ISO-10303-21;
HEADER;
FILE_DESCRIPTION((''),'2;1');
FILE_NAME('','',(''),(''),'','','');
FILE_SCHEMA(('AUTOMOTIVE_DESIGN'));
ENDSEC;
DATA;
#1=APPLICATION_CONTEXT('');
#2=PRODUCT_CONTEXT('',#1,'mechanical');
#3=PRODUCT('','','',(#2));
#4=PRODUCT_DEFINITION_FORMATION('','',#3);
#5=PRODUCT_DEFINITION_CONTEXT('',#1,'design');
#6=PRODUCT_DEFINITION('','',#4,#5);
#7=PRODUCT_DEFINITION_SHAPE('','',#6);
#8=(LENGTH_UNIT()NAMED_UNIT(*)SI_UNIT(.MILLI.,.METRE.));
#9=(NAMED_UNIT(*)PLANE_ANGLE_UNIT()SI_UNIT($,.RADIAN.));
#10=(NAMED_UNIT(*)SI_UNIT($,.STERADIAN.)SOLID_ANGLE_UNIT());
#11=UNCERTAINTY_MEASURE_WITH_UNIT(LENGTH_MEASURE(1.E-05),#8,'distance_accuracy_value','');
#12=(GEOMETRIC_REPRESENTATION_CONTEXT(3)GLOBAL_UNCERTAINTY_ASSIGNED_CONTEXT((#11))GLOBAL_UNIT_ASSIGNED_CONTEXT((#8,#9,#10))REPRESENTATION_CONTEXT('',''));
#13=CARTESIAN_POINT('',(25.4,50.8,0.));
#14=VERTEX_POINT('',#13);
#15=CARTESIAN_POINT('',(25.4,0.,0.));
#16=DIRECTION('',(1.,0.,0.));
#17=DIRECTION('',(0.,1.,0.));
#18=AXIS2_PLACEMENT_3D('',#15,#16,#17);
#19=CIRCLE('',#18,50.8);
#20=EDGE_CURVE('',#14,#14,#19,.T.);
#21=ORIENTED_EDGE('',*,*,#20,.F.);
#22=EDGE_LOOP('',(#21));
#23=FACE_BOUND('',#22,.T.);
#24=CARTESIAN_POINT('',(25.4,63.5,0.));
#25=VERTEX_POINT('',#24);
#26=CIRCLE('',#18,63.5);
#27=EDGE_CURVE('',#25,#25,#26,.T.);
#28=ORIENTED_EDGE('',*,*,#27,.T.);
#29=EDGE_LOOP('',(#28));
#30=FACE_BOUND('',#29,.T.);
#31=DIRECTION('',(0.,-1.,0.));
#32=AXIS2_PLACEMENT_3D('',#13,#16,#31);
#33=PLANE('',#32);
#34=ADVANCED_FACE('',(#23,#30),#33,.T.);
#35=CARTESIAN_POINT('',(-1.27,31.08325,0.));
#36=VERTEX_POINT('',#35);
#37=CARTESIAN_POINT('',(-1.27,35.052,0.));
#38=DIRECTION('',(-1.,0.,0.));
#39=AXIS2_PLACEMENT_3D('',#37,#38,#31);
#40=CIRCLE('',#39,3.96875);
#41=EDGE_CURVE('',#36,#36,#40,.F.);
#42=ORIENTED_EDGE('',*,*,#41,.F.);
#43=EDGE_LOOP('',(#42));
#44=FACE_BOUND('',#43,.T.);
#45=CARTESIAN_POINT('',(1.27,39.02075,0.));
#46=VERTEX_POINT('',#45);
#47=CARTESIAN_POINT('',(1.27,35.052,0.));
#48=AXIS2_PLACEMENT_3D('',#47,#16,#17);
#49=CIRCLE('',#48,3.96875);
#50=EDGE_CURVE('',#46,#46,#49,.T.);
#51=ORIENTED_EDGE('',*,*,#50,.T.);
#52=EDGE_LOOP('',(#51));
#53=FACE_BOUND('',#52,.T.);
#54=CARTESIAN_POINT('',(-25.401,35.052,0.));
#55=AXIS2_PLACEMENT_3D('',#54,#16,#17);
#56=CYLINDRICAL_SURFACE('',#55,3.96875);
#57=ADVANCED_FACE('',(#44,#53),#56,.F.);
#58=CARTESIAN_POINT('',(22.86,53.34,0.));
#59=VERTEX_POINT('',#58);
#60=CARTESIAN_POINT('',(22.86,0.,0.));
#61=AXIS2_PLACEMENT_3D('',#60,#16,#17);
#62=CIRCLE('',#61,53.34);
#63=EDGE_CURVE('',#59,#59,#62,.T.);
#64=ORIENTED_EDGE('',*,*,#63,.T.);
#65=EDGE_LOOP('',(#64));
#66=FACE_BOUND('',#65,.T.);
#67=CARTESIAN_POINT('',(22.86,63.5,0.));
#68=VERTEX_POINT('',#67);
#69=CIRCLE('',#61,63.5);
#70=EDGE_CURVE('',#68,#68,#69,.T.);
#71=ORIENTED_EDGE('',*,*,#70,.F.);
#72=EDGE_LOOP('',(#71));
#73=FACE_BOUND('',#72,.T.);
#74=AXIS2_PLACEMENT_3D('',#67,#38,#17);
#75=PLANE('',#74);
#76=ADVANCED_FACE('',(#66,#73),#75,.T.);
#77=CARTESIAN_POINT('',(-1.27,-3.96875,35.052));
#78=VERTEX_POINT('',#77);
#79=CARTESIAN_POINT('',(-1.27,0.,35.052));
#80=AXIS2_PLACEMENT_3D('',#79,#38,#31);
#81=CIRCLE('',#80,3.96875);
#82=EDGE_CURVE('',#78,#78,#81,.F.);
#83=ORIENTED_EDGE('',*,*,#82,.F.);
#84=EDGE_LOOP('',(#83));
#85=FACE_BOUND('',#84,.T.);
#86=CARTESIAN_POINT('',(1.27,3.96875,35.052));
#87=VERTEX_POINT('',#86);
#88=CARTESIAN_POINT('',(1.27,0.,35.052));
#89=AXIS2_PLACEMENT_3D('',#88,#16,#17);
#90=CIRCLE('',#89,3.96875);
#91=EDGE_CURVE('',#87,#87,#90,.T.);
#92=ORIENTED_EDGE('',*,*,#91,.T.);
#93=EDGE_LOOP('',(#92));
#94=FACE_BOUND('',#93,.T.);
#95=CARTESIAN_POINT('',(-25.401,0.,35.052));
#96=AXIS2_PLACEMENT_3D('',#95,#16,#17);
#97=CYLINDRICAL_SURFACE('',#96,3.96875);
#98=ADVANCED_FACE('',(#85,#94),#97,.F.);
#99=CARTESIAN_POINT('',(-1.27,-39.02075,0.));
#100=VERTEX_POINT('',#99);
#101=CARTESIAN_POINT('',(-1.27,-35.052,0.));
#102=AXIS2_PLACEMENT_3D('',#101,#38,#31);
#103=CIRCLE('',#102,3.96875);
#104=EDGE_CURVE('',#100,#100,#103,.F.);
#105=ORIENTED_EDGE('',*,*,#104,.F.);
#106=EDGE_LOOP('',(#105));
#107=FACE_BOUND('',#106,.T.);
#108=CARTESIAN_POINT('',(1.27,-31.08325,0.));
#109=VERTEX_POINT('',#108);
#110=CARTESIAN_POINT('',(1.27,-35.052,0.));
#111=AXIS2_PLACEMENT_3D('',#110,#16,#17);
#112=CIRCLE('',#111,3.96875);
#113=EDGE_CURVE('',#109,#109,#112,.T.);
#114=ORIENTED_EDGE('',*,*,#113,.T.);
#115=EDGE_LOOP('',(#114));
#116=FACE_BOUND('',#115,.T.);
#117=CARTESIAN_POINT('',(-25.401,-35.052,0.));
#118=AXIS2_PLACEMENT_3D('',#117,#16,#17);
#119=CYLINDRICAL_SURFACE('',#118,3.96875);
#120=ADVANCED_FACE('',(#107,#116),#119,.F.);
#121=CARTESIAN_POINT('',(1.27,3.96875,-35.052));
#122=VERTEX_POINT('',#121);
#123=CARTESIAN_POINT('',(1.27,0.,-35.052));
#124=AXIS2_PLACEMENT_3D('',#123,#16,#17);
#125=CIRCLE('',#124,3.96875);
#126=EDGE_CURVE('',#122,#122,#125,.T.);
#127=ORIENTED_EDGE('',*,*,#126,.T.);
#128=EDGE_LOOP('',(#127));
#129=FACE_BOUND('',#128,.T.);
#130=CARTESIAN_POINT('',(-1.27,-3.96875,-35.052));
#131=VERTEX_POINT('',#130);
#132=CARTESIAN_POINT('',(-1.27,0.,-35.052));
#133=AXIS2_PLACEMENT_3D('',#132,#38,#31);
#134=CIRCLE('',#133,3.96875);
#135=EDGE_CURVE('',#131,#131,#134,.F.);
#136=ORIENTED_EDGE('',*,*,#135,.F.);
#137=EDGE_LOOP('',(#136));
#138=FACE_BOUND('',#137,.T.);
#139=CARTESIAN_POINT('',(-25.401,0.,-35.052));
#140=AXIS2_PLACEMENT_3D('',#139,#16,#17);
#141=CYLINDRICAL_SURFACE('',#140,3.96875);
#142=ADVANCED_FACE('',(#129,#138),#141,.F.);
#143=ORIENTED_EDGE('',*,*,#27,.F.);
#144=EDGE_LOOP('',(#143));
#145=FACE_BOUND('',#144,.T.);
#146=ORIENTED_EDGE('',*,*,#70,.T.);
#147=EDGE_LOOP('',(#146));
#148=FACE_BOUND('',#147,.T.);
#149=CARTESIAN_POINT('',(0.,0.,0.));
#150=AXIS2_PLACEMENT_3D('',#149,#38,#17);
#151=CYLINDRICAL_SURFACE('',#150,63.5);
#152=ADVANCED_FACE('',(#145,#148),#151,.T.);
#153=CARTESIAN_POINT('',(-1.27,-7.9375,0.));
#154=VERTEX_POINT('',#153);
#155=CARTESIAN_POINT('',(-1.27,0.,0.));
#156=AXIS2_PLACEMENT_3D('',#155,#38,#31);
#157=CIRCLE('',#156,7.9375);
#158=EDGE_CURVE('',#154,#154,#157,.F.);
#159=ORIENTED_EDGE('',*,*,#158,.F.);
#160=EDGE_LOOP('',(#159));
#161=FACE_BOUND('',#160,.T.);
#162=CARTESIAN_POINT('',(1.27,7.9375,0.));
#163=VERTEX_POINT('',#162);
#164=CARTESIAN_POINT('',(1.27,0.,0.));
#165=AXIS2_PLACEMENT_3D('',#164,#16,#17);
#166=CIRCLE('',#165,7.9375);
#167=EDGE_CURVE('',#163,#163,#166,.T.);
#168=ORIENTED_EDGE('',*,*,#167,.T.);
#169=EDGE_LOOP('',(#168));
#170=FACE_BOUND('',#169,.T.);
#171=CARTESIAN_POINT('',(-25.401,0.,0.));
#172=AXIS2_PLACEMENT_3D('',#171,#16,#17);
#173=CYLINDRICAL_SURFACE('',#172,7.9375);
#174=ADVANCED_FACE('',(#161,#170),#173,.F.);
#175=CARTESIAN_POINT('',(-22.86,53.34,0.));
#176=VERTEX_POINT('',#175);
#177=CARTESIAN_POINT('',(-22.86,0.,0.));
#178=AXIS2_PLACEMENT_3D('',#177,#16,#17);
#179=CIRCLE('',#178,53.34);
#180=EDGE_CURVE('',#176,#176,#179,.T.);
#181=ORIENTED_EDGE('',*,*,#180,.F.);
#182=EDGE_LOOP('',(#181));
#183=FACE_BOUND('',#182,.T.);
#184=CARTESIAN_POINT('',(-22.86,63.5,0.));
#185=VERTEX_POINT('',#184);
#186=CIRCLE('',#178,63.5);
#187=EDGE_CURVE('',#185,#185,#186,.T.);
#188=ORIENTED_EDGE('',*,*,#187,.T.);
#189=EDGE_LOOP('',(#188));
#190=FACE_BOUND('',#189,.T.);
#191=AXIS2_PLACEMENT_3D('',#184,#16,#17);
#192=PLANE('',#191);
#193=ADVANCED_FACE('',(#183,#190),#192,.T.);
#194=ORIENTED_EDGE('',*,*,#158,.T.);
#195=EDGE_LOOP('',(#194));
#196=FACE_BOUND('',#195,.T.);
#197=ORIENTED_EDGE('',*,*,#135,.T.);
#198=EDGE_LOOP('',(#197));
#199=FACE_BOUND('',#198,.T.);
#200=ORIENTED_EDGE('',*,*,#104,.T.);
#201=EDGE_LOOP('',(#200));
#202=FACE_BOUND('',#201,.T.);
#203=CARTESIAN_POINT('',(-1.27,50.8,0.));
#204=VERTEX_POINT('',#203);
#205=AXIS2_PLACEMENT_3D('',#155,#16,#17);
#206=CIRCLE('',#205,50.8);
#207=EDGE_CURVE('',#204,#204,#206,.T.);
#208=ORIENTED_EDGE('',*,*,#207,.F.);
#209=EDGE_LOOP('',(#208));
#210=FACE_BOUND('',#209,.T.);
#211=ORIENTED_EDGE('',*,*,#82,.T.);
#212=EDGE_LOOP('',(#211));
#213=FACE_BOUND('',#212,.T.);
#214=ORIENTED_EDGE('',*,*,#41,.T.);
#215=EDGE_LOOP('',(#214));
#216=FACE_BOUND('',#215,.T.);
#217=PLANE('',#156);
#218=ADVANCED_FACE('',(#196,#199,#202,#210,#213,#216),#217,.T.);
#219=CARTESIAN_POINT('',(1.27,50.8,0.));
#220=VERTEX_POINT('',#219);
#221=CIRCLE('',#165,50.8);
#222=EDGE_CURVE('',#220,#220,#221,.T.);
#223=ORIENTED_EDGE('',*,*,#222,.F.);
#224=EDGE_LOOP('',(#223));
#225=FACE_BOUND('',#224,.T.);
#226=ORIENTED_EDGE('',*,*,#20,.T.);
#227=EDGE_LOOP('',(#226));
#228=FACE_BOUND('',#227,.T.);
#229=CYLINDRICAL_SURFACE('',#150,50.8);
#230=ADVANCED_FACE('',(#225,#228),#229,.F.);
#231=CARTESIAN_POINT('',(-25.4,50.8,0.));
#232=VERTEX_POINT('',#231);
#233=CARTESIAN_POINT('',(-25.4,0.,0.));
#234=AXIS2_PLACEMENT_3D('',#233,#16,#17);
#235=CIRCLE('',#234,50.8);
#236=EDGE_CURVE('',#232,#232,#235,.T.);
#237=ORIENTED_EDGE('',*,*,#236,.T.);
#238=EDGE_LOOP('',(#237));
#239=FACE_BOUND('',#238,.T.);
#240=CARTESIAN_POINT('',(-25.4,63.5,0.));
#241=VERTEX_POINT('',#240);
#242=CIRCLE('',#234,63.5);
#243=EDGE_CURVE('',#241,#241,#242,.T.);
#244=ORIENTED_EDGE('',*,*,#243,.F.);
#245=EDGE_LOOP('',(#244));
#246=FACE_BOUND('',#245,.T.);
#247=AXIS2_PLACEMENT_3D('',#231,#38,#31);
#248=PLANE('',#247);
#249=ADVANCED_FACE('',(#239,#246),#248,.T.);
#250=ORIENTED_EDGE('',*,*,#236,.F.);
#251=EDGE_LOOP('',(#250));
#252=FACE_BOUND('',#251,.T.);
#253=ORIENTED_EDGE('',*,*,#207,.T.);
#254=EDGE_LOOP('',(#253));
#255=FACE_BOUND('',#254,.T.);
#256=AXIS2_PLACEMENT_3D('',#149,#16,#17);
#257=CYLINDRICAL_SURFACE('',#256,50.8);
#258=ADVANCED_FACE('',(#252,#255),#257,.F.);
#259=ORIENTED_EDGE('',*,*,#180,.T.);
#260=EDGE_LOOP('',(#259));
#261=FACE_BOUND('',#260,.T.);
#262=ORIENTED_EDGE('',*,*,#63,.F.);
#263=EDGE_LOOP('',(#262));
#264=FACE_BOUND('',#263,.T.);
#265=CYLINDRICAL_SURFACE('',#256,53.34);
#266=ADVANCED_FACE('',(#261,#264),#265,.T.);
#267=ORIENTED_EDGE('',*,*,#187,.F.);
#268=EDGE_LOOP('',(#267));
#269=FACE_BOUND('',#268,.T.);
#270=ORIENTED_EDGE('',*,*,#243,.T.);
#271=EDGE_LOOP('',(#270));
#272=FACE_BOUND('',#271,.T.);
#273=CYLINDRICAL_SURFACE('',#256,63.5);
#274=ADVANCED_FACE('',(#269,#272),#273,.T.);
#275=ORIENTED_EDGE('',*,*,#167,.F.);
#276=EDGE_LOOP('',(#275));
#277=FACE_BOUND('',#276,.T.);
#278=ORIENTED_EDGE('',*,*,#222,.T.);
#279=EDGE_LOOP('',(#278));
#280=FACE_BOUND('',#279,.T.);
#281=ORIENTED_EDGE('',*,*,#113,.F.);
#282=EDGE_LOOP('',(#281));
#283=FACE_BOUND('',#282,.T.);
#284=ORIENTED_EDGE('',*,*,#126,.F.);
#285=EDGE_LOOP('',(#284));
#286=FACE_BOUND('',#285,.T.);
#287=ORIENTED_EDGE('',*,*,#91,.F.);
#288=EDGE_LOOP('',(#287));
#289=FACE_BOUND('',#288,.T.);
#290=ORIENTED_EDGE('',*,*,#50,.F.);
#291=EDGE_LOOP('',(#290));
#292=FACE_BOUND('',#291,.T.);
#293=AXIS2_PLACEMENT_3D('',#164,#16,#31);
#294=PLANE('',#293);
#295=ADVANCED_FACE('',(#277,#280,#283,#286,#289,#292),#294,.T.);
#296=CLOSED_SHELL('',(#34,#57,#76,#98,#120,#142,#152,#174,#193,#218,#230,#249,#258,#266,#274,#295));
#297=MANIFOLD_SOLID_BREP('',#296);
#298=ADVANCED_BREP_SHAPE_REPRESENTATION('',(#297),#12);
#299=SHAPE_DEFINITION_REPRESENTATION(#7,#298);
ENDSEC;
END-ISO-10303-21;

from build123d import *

# Parameters (mm, degrees)
CUT_EXTRUDE1_REACH = 28.67
SKETCH2_R          = 3.96875
SKETCH2_R_2        = 7.9375


with BuildPart() as part:
    # Sketch1 → Revolve1 (revolve)
    with BuildSketch(Plane.XY):
        Polygon((0, 0), (-1.27, 0), (-1.27, 50.8), (-25.4, 50.8), (-25.4, 63.5), (-22.86, 63.5), (-22.86, 53.34), (0, 53.34), (0, 50.8), align=None)
    revolve1 = revolve(axis=Axis((0, 0, 0), (-1, 0, 0)))

    # Mirror1: Revolve1 across plane
    add(revolve1.mirror(Plane(origin=(0, 0, 0), x_dir=(0, 0, 1), z_dir=(1, 0, 0))))

    # Sketch2 → Cut-Extrude1 (cut, up to next)
    with BuildSketch(Plane(origin=(1.27, 0, 0), x_dir=(0, 0, -1), z_dir=(1, 0, 0)), mode=Mode.PRIVATE) as cut_extrude1_sk1:
        with Locations((35.052, 0)):
            Circle(SKETCH2_R)
    cut_extrude1_tool1 = extrude(cut_extrude1_sk1.sketch, amount=-CUT_EXTRUDE1_REACH, mode=Mode.PRIVATE) & part.part
    add(cut_extrude1_tool1.solids().sort_by_distance((1.27, 0, -35.052))[0], mode=Mode.SUBTRACT)
    # Sketch2 → Cut-Extrude1 (cut, up to next)
    with BuildSketch(Plane(origin=(1.27, 0, 0), x_dir=(0, 0, -1), z_dir=(1, 0, 0)), mode=Mode.PRIVATE) as cut_extrude1_sk2:
        with Locations((0, 35.052)):
            Circle(SKETCH2_R)
    cut_extrude1_tool2 = extrude(cut_extrude1_sk2.sketch, amount=-CUT_EXTRUDE1_REACH, mode=Mode.PRIVATE) & part.part
    add(cut_extrude1_tool2.solids().sort_by_distance((1.27, 35.052, 0))[0], mode=Mode.SUBTRACT)
    # Sketch2 → Cut-Extrude1 (cut, up to next)
    with BuildSketch(Plane(origin=(1.27, 0, 0), x_dir=(0, 0, -1), z_dir=(1, 0, 0)), mode=Mode.PRIVATE) as cut_extrude1_sk3:
        with Locations((0, -35.052)):
            Circle(SKETCH2_R)
    cut_extrude1_tool3 = extrude(cut_extrude1_sk3.sketch, amount=-CUT_EXTRUDE1_REACH, mode=Mode.PRIVATE) & part.part
    add(cut_extrude1_tool3.solids().sort_by_distance((1.27, -35.052, 0))[0], mode=Mode.SUBTRACT)
    # Sketch2 → Cut-Extrude1 (cut, up to next)
    with BuildSketch(Plane(origin=(1.27, 0, 0), x_dir=(0, 0, -1), z_dir=(1, 0, 0)), mode=Mode.PRIVATE) as cut_extrude1_sk4:
        with Locations((-35.052, 0)):
            Circle(SKETCH2_R)
    cut_extrude1_tool4 = extrude(cut_extrude1_sk4.sketch, amount=-CUT_EXTRUDE1_REACH, mode=Mode.PRIVATE) & part.part
    add(cut_extrude1_tool4.solids().sort_by_distance((1.27, 0, 35.052))[0], mode=Mode.SUBTRACT)
    # Sketch2 → Cut-Extrude1 (cut, up to next)
    with BuildSketch(Plane(origin=(1.27, 0, 0), x_dir=(0, 0, -1), z_dir=(1, 0, 0)), mode=Mode.PRIVATE) as cut_extrude1_sk5:
        Circle(SKETCH2_R_2)
    cut_extrude1_tool5 = extrude(cut_extrude1_sk5.sketch, amount=-CUT_EXTRUDE1_REACH, mode=Mode.PRIVATE) & part.part
    add(cut_extrude1_tool5.solids().sort_by_distance((1.27, 0, 0))[0], mode=Mode.SUBTRACT)


solid = part.part
